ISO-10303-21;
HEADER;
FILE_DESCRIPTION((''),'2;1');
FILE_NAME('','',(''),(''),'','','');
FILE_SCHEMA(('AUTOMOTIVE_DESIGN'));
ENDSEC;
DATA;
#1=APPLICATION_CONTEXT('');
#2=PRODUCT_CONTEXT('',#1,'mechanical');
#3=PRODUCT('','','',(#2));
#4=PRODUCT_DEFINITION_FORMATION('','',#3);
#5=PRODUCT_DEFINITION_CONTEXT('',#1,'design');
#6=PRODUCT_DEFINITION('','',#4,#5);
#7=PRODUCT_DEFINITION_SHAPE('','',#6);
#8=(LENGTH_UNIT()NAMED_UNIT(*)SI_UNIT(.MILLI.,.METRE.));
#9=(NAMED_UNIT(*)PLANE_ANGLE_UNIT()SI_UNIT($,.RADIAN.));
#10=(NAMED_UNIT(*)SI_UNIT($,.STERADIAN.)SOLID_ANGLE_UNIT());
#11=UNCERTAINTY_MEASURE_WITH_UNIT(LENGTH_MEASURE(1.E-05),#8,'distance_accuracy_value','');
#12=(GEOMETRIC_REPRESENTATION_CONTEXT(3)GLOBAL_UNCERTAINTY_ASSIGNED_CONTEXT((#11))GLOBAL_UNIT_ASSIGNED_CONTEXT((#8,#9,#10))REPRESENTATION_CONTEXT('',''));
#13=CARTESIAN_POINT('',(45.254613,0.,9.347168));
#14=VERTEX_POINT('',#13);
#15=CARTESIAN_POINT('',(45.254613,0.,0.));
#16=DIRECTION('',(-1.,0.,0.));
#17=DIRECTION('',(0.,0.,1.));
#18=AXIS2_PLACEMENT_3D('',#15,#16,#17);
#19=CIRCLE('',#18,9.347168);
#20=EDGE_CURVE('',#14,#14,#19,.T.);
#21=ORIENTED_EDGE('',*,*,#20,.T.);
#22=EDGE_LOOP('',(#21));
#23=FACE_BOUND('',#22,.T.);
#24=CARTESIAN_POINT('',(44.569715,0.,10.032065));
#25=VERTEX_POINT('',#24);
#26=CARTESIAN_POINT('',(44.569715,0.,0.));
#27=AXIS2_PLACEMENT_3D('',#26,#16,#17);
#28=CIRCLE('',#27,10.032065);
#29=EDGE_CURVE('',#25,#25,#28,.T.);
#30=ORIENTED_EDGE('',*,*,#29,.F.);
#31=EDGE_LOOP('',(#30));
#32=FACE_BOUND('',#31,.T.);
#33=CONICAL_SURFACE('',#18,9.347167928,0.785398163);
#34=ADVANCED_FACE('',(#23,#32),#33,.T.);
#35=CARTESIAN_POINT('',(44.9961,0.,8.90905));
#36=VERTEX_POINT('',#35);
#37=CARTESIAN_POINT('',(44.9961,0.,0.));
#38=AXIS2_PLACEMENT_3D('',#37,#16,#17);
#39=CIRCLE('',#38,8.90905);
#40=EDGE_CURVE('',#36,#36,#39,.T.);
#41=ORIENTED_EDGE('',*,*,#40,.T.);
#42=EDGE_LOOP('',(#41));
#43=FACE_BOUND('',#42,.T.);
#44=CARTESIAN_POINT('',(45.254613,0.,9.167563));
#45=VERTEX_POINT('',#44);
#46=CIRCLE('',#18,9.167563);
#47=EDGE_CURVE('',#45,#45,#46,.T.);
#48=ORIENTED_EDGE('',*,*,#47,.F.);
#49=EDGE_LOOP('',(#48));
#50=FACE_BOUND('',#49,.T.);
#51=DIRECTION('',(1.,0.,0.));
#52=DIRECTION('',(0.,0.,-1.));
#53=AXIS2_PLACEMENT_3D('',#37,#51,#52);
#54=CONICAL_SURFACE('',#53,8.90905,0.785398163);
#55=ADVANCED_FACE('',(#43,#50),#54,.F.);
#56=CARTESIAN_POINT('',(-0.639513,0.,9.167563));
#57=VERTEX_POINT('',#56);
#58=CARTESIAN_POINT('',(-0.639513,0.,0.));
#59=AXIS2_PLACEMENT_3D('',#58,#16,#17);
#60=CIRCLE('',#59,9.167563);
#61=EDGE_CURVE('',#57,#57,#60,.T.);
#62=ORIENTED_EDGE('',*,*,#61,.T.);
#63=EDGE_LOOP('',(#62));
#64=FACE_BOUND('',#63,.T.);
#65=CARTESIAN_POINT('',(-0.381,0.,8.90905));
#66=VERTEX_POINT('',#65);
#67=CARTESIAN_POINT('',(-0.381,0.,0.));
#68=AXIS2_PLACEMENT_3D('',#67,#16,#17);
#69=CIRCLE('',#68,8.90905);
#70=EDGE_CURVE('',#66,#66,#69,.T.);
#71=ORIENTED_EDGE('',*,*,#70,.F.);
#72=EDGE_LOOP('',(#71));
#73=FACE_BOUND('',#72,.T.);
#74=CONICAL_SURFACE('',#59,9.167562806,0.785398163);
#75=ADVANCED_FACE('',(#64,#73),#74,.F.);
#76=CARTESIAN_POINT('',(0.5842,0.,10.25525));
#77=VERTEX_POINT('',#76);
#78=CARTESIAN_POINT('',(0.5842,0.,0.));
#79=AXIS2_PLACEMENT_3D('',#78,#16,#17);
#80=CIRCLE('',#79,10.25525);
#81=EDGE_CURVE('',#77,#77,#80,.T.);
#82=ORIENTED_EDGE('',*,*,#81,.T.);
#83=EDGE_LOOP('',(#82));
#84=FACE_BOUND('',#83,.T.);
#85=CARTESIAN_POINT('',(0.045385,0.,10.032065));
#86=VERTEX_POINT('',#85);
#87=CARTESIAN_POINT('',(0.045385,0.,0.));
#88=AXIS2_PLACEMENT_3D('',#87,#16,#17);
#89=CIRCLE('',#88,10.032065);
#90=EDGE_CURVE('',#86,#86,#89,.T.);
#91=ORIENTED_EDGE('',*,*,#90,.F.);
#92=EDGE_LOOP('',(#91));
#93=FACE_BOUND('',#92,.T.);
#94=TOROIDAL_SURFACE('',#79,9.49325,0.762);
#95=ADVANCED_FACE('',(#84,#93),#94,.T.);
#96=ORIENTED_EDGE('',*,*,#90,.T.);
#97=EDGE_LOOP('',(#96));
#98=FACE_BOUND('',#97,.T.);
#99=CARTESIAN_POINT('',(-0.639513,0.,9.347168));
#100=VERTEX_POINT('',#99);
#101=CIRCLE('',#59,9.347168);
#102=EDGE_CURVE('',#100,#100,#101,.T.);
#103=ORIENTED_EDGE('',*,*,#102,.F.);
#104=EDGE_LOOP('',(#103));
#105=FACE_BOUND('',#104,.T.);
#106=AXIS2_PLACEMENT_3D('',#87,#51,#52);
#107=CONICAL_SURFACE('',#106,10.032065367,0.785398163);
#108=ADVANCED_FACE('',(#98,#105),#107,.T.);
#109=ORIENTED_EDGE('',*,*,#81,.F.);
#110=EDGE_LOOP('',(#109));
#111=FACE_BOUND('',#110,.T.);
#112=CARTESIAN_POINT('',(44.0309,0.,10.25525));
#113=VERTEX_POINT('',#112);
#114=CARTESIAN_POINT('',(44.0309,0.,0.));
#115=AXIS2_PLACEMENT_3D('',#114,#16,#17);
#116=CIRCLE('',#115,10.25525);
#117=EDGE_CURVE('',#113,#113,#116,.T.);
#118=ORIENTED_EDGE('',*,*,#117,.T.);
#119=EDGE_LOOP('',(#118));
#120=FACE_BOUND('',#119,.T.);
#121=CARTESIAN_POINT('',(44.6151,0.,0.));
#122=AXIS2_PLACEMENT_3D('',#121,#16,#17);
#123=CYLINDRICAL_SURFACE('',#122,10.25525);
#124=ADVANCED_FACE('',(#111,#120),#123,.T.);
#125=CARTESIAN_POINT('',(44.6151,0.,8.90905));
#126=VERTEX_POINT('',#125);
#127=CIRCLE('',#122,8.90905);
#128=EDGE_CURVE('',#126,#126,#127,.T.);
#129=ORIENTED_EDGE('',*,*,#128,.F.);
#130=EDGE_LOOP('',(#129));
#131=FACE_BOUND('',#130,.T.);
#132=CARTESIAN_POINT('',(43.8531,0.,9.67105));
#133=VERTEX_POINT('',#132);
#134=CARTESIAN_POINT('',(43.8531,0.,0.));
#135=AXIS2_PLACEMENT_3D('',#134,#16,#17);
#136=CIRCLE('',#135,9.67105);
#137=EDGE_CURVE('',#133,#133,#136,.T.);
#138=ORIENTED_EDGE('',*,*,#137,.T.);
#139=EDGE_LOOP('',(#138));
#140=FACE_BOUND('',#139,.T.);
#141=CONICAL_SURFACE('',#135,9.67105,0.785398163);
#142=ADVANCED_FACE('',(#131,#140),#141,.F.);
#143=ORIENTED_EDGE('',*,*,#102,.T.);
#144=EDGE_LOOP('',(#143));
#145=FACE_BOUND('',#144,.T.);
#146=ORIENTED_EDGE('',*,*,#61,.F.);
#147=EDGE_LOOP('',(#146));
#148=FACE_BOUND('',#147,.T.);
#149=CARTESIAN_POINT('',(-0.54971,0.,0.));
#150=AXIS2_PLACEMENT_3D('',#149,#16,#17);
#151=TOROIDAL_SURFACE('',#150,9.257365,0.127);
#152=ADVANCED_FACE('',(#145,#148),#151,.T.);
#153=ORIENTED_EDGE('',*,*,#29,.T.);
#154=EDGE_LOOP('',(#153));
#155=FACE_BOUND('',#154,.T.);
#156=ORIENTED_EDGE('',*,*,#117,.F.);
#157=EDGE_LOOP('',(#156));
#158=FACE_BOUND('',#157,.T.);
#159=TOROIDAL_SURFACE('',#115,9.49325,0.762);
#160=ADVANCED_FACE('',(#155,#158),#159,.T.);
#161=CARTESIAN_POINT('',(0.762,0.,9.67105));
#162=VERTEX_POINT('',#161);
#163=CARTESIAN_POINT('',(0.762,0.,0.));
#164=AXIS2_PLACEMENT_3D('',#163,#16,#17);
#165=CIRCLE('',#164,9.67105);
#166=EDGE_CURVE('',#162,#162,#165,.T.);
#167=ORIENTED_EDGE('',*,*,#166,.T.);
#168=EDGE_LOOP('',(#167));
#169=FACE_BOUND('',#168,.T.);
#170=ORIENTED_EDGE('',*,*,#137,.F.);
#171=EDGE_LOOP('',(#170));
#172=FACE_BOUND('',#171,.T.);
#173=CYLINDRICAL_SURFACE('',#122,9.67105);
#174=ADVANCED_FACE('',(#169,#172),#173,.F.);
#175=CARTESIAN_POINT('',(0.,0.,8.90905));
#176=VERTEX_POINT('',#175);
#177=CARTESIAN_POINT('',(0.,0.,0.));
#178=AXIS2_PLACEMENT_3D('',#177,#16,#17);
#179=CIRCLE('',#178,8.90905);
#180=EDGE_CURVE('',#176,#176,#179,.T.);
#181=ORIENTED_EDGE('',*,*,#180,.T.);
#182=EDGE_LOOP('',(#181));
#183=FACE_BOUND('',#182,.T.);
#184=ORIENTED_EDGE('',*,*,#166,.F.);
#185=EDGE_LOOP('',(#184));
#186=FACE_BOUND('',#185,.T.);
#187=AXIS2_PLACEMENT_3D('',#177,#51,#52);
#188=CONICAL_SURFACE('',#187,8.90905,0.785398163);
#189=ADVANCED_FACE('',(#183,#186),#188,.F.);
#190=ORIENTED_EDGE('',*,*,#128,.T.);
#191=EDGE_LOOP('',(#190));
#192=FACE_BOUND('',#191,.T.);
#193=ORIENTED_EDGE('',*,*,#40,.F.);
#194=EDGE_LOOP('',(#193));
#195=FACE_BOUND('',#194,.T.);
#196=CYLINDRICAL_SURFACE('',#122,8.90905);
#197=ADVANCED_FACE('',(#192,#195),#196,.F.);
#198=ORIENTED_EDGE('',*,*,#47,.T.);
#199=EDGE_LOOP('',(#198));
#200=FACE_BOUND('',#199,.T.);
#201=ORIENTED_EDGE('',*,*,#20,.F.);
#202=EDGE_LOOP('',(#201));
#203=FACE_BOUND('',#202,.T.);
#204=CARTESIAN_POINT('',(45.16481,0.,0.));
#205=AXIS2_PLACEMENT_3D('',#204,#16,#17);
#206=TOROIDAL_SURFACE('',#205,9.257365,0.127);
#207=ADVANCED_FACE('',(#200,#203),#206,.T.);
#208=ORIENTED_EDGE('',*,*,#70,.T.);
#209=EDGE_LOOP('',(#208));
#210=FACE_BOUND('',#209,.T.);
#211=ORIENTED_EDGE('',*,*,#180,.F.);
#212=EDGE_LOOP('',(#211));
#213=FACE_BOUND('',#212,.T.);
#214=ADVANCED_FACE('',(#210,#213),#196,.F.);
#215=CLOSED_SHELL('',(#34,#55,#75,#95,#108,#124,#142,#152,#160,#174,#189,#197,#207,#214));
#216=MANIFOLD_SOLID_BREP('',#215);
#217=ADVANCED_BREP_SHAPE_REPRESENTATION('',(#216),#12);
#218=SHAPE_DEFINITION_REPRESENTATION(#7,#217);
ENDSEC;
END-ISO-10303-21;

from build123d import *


with BuildPart() as part:
    # Sketch1 → Revolve1 (revolve)
    with BuildSketch(Plane.XY):
        with BuildLine():
            Line((-0.639512806, 9.167562806), (-0.381, 8.90905))
            Line((-0.381, 8.90905), (0, 8.90905))
            Line((0, 8.90905), (0.762, 9.67105))
            Line((0.762, 9.67105), (43.8531, 9.67105))
            Line((43.8531, 9.67105), (44.6151, 8.90905))
            Line((44.6151, 8.90905), (44.9961, 8.90905))
            Line((44.9961, 8.90905), (45.254612806, 9.167562806))
            ThreePointArc((45.254612806, 9.167562806), (45.291810245, 9.257365367), (45.254612806, 9.347167928))
            Line((45.254612806, 9.347167928), (44.569715367, 10.032065367))
            ThreePointArc((44.569715367, 10.032065367), (44.322504775, 10.197246204), (44.0309, 10.25525))
            Line((44.0309, 10.25525), (0.5842, 10.25525))
            ThreePointArc((0.5842, 10.25525), (0.292595225, 10.197246204), (0.045384633, 10.032065367))
            Line((0.045384633, 10.032065367), (-0.639512806, 9.347167928))
            ThreePointArc((-0.639512806, 9.347167928), (-0.676710245, 9.257365367), (-0.639512806, 9.167562806))
        make_face()
    revolve(axis=Axis((44.6151, 0, 0), (-1, 0, 0)))


solid = part.part
